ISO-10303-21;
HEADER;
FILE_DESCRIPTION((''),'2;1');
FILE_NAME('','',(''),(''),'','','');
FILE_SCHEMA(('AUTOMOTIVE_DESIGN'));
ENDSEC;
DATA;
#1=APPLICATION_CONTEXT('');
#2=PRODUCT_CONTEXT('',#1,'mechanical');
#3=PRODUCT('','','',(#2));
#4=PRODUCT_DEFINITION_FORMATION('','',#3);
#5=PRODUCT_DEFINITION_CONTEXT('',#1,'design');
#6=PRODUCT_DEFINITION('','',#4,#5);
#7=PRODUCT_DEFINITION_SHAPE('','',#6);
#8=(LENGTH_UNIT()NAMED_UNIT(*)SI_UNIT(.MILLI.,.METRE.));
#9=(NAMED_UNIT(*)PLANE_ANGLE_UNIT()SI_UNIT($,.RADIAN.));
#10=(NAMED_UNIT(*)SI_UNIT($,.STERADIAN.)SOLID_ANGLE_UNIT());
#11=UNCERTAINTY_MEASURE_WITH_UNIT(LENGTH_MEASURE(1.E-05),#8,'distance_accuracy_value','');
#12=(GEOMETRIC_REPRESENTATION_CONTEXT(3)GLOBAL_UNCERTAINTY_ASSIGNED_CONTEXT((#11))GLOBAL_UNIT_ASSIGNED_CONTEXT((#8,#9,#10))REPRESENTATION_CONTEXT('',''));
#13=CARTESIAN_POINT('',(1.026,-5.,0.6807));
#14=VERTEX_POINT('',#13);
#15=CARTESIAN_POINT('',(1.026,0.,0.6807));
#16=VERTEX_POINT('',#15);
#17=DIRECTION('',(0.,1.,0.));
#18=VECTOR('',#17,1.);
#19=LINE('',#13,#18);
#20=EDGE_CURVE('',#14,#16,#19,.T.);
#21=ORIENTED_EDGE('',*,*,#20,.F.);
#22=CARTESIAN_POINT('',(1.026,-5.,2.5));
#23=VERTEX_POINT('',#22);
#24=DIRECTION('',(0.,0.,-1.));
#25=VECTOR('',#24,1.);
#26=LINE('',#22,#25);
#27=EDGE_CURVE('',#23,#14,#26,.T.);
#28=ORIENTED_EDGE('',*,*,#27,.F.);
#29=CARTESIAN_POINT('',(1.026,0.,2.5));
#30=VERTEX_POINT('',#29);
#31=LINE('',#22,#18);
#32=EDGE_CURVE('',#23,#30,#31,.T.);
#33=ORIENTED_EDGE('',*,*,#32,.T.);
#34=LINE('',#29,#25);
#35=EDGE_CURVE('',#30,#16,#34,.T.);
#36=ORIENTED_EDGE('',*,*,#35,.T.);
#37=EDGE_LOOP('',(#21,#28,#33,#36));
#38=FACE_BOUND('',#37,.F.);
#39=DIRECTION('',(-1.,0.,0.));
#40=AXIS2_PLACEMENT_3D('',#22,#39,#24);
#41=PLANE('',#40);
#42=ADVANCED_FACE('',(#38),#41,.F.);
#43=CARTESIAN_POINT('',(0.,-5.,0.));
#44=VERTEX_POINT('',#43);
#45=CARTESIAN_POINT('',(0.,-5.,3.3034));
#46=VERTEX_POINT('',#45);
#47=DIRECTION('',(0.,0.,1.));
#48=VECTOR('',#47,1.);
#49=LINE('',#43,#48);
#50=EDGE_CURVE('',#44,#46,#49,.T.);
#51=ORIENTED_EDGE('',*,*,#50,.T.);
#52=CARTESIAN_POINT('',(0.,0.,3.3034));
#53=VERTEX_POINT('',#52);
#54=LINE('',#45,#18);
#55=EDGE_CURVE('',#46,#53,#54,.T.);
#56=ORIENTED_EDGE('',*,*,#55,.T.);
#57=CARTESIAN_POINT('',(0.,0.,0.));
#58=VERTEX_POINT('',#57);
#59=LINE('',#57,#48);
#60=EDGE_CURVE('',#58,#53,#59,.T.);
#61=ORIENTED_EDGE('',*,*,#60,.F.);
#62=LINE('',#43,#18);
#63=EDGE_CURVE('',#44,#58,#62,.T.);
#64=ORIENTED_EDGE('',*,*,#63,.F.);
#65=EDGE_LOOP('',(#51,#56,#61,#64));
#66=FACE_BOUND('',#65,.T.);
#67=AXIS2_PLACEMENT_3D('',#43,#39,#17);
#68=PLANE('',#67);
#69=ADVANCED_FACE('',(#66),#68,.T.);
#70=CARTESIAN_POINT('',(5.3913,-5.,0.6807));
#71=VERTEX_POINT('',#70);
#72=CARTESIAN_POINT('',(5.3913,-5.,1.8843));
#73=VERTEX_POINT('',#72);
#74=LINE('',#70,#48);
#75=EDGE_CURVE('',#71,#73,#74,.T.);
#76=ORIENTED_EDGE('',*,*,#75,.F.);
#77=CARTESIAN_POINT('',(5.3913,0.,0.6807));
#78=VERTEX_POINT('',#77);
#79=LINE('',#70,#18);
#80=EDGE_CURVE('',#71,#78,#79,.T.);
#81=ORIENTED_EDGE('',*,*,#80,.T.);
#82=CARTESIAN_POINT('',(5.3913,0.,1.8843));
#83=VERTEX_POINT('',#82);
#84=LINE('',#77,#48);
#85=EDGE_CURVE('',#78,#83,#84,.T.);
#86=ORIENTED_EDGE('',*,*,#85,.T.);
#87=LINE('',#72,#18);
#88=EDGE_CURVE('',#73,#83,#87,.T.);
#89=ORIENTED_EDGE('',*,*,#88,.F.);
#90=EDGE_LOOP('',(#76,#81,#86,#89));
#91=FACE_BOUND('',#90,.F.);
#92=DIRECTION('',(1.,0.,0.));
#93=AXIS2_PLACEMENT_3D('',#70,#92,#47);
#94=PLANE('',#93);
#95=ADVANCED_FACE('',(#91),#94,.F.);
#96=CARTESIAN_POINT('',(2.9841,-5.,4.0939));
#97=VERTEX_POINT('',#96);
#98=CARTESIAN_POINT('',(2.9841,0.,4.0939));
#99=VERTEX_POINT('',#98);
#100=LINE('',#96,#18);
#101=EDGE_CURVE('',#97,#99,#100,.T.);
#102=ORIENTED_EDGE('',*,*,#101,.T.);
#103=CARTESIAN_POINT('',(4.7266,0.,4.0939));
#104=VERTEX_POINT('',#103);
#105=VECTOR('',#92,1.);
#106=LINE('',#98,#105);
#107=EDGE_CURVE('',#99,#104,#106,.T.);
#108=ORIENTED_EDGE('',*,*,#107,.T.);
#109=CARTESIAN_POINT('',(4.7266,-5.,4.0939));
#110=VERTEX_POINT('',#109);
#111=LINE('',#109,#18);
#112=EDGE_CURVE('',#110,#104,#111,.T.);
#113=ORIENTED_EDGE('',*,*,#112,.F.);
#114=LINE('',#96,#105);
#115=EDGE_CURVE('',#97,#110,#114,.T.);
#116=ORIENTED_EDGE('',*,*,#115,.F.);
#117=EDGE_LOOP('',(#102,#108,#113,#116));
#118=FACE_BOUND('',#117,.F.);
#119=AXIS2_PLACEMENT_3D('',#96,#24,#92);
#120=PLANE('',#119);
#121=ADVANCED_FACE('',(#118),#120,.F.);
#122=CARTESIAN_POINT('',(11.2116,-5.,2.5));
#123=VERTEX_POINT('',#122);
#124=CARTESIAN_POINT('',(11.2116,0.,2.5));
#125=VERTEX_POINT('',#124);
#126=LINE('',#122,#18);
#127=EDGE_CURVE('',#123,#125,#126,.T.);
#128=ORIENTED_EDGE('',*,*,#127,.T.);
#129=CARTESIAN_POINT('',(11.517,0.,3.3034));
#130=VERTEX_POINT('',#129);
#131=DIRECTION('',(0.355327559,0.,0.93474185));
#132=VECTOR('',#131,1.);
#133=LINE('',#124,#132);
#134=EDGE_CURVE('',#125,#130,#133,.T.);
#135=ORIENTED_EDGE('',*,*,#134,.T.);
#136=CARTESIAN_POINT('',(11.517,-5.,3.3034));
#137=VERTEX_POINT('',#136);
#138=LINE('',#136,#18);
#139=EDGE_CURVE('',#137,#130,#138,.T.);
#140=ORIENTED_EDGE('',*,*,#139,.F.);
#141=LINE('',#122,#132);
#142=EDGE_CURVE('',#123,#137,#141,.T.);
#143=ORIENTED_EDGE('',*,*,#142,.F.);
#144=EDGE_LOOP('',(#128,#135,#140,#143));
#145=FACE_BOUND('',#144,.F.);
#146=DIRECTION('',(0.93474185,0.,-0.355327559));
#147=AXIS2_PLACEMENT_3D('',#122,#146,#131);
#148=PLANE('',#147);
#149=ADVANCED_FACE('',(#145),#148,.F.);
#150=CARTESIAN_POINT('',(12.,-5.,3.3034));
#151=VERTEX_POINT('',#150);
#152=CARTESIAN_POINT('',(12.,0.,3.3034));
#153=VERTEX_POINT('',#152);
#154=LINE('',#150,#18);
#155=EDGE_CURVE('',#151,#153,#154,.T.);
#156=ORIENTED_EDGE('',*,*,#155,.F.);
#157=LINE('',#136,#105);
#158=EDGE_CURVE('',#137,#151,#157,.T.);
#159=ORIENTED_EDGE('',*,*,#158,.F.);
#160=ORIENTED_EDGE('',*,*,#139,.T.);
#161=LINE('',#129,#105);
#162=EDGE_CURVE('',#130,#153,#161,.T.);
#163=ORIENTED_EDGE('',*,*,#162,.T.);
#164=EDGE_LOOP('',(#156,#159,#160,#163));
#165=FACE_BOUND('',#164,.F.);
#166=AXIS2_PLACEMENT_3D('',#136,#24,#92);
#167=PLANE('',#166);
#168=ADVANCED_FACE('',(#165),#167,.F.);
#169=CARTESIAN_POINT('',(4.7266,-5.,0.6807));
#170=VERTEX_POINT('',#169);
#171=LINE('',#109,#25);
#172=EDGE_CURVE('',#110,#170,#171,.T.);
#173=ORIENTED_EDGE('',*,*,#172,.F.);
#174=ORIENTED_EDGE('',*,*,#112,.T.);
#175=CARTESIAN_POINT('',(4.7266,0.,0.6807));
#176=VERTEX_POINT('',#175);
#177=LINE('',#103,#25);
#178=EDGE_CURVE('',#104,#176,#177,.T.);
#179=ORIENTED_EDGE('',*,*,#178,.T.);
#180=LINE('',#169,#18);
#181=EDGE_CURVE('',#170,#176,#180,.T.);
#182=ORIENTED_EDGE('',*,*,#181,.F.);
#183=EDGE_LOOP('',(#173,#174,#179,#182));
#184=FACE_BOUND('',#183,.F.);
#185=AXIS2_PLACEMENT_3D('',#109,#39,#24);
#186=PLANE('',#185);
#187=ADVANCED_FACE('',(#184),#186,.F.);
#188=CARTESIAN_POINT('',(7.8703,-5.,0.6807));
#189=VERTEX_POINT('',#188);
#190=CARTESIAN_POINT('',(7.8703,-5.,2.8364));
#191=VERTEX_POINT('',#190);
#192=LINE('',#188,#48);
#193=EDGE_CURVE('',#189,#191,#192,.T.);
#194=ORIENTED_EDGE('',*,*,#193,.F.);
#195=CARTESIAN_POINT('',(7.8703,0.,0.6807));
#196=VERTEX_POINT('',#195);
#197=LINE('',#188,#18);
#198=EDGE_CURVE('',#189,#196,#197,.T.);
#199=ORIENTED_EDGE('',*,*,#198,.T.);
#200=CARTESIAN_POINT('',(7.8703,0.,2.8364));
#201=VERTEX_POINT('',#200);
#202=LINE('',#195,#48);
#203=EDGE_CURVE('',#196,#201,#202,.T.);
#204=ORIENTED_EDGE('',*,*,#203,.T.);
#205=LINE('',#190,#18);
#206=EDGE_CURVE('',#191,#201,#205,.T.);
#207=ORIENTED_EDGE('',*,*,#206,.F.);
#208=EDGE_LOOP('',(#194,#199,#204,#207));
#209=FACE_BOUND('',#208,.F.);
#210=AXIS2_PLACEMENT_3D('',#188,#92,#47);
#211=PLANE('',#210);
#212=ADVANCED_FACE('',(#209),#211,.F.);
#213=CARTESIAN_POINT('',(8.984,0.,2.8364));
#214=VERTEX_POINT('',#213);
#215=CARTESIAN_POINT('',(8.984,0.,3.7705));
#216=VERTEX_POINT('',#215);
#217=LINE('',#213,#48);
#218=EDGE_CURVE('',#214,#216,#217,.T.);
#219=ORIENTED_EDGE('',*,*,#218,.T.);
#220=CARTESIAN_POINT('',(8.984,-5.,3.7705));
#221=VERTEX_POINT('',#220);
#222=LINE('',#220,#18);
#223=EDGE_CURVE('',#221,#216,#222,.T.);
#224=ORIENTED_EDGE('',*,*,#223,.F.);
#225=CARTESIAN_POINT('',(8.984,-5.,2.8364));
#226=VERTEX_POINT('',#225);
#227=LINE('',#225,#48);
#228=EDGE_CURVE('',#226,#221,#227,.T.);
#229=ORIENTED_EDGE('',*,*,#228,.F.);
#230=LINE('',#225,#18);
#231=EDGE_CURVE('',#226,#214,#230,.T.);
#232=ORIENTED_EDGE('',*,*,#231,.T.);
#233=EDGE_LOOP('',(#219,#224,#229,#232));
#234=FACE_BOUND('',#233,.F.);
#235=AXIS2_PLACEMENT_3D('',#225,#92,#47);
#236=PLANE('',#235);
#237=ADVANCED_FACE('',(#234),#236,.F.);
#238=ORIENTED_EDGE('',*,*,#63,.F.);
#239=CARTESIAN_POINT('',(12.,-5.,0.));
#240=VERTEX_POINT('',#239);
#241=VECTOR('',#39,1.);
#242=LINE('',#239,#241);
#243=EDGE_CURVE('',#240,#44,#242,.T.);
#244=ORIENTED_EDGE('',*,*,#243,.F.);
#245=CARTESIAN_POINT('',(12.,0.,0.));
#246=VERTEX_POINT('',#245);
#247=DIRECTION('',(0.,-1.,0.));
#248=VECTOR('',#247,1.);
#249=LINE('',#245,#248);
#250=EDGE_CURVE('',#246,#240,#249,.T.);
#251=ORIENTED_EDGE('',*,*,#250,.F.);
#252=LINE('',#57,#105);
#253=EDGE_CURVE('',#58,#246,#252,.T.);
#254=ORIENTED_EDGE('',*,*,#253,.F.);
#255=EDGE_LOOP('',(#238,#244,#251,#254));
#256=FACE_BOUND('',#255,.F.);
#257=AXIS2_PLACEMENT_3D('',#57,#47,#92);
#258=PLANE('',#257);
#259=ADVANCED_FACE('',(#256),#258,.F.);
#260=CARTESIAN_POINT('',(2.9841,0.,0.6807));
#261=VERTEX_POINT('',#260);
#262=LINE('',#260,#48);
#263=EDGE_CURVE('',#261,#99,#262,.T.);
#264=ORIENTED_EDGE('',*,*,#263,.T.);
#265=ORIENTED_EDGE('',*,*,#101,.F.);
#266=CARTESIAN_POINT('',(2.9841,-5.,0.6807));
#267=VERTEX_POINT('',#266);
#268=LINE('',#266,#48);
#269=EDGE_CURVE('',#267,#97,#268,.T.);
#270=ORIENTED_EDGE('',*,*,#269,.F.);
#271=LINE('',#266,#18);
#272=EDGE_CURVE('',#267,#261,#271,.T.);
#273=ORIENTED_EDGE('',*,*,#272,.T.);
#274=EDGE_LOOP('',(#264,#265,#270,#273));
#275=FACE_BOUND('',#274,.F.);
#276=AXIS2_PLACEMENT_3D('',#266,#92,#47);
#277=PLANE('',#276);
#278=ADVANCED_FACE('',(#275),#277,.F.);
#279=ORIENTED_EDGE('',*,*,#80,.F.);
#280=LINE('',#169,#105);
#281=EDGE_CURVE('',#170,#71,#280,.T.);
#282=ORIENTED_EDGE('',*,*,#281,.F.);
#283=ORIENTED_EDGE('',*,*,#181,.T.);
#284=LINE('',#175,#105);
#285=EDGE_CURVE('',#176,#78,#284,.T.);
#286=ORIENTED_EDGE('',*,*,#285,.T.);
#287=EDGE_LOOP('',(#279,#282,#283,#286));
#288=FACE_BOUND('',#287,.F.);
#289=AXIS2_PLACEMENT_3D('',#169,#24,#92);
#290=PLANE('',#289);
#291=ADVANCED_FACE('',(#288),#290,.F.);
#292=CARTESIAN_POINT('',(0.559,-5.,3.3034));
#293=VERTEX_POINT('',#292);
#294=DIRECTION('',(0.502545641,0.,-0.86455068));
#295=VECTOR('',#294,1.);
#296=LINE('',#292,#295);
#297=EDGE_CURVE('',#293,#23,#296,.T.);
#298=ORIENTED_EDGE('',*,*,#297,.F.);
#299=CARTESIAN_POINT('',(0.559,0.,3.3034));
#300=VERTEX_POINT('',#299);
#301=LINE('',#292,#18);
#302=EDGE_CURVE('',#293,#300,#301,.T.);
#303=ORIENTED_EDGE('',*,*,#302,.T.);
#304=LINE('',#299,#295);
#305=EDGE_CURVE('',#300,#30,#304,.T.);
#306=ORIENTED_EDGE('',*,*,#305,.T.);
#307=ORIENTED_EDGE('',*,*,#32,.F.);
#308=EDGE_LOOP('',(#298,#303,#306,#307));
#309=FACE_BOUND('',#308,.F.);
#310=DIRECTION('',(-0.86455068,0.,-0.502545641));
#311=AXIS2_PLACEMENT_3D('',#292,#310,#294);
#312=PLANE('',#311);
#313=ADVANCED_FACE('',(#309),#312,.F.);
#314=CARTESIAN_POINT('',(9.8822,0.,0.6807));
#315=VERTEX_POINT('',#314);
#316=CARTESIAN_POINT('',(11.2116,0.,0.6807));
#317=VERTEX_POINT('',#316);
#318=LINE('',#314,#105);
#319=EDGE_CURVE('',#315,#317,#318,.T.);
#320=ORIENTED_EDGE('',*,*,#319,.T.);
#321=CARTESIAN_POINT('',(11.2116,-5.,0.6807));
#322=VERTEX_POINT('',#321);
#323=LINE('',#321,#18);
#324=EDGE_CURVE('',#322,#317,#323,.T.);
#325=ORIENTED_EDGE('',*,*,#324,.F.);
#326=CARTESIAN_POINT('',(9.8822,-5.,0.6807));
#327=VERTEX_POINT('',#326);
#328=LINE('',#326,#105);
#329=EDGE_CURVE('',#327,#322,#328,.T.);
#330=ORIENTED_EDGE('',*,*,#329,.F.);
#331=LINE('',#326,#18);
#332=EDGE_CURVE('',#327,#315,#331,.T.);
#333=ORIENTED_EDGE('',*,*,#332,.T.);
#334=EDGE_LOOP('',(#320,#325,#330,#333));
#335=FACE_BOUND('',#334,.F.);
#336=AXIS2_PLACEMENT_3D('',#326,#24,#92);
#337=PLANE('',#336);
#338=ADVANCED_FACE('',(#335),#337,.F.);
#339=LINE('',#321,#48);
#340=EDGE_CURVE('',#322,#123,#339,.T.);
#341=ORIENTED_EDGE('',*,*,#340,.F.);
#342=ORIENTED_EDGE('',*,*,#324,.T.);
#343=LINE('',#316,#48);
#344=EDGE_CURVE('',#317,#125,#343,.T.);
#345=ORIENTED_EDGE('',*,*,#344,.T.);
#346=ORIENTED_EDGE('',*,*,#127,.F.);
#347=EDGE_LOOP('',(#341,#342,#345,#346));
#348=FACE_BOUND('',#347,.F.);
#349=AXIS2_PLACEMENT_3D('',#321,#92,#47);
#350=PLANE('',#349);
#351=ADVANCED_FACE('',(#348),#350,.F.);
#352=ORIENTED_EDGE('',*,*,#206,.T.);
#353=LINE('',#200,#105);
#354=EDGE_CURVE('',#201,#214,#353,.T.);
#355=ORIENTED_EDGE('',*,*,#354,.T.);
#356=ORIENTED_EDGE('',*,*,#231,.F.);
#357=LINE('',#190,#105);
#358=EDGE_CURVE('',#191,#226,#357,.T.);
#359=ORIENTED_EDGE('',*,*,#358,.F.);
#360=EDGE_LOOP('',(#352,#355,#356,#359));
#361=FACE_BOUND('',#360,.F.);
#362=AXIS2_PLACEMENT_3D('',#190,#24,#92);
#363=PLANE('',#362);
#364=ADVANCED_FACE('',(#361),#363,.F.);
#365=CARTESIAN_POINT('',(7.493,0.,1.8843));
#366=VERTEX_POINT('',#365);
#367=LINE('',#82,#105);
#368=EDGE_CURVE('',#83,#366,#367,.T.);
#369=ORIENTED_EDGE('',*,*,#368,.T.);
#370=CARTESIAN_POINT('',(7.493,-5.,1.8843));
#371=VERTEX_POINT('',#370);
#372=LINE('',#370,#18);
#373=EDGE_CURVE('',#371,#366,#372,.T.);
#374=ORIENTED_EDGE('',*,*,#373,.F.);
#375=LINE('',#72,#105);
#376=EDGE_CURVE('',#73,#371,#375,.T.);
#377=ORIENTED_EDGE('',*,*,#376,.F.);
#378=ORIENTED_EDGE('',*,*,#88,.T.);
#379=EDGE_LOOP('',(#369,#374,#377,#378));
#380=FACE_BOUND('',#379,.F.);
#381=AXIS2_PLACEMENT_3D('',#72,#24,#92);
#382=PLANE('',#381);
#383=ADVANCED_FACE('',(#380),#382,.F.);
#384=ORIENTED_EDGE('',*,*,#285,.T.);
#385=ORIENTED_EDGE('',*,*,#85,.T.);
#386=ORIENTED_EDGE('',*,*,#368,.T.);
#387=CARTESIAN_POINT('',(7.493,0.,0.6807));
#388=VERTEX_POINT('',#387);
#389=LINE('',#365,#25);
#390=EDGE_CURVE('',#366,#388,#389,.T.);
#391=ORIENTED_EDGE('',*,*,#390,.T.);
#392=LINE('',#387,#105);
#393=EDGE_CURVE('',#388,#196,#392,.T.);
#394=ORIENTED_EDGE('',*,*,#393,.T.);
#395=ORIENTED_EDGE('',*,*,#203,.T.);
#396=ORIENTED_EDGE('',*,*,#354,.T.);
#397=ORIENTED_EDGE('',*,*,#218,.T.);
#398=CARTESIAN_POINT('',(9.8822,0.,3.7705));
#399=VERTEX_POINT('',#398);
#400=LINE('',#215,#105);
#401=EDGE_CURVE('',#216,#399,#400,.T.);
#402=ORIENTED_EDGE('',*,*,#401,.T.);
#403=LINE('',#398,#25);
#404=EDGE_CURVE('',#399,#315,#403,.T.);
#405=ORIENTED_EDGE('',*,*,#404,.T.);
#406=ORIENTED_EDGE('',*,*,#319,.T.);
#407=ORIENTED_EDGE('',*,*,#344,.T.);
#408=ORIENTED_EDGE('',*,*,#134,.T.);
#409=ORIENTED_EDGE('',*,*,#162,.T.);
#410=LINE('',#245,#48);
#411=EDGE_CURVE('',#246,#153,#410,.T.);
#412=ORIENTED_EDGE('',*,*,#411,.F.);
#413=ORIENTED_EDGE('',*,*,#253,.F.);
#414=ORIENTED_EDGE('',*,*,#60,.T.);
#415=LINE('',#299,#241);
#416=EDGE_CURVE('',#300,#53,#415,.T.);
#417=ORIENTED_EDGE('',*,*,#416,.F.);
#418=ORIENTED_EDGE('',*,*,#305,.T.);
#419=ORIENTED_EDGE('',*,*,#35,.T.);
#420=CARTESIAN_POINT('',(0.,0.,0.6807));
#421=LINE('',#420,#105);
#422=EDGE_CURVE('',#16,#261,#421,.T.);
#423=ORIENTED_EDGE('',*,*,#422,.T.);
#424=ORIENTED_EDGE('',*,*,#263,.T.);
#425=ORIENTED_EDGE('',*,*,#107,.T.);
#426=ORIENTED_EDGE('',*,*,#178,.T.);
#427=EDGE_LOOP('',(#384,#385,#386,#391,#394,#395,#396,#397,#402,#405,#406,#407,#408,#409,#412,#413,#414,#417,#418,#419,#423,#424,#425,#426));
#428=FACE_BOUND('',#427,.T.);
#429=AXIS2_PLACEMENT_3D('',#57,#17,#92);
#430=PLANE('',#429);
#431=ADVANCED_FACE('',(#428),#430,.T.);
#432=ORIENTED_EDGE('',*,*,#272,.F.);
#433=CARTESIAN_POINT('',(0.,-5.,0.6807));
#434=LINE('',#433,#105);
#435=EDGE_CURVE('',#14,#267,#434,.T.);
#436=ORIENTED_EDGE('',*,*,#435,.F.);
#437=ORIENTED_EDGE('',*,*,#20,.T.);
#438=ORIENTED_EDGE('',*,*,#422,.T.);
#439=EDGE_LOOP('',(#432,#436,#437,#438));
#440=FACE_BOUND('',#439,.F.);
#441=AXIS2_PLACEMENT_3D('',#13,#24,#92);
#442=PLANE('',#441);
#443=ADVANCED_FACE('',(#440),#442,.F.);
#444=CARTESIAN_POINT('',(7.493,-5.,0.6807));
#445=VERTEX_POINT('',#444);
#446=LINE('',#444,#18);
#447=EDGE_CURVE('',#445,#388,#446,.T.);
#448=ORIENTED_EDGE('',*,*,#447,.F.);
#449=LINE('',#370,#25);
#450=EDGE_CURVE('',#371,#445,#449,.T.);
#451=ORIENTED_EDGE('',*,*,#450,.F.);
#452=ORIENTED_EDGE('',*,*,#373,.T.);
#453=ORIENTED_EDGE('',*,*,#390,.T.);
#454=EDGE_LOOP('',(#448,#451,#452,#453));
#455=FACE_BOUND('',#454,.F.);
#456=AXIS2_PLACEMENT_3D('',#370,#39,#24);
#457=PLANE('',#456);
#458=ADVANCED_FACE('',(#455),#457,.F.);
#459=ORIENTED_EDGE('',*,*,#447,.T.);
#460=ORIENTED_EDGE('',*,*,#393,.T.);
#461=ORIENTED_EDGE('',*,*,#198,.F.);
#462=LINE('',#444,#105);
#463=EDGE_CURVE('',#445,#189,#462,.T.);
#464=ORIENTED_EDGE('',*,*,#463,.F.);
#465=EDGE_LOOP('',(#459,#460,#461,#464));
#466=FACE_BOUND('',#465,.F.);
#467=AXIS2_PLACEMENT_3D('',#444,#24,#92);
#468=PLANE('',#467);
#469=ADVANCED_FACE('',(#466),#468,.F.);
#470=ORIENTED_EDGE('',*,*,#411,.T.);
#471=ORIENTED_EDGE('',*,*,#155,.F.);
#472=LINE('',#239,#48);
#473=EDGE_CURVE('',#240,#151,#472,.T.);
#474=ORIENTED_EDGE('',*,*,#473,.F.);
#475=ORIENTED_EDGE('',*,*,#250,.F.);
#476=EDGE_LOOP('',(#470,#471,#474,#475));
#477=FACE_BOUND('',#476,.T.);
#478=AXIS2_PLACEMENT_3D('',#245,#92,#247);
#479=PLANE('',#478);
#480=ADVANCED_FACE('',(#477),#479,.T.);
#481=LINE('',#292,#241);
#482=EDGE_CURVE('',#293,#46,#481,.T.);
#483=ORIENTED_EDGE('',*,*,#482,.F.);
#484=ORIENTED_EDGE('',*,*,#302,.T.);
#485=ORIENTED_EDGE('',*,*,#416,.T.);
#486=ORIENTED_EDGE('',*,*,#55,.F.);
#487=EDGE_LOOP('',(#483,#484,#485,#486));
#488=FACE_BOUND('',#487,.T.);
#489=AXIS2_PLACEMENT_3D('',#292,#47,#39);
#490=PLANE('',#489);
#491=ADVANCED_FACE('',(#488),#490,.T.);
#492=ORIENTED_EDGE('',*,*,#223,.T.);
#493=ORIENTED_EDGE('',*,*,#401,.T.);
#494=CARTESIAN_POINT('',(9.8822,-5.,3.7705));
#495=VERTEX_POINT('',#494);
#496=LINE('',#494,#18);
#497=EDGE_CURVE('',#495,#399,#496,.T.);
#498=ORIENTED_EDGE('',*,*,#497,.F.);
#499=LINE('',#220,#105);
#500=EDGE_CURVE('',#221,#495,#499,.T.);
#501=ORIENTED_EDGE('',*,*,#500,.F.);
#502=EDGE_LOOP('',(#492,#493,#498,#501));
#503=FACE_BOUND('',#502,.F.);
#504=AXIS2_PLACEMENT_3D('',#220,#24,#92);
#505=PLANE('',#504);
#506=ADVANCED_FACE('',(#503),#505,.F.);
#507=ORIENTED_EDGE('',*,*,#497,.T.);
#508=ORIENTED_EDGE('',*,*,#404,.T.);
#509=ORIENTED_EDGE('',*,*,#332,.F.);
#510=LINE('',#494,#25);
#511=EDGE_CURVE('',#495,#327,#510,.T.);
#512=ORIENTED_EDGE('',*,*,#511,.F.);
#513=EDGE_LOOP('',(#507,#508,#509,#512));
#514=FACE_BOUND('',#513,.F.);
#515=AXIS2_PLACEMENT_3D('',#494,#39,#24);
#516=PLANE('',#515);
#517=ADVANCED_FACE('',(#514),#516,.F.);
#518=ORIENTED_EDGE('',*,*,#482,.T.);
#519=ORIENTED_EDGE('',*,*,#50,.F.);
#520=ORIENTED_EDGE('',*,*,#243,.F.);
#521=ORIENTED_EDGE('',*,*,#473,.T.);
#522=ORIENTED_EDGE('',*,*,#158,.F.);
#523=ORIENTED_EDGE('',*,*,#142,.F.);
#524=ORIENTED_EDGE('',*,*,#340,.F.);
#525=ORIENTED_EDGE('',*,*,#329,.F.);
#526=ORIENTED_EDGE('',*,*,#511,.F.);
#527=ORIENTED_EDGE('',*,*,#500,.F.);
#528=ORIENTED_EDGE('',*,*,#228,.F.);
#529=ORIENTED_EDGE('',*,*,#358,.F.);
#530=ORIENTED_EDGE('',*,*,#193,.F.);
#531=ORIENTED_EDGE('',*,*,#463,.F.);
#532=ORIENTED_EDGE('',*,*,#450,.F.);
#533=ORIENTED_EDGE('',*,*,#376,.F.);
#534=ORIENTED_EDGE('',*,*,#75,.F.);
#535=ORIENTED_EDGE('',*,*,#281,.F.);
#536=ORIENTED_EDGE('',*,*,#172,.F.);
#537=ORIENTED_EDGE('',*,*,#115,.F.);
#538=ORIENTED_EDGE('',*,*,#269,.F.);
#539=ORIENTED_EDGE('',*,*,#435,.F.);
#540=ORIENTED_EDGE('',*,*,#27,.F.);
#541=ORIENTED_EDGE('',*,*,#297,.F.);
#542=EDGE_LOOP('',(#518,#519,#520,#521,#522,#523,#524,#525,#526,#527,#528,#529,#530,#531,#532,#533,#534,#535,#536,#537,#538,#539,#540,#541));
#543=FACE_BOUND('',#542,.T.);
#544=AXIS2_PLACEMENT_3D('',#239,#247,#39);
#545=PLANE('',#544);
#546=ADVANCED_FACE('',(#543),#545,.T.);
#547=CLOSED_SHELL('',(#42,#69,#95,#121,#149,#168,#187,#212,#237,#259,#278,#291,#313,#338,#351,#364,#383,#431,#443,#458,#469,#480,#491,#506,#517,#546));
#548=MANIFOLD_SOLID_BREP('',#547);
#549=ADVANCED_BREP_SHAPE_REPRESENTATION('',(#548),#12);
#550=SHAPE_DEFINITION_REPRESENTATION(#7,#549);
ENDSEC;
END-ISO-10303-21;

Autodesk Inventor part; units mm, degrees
ref_plane "YZ Plane" through (0, 0, 0) normal (1, 0, 0) x (0, 1, 0)
ref_plane "XZ Plane" through (0, 0, 0) normal (0, 1, 0) x (-1, 0, 0)
ref_plane "XY Plane" through (0, 0, 0) normal (0, 0, 1) x (1, 0, 0)
sketch "Эскиз1" plane through (0, 0, 0) normal (0, 0, 1) x (1, 0, 0)
  line L0 (0, 0) -> (12, 0)
  line L1 (12, 0) -> (12, -5)
  line L2 (12, -5) -> (0, -5)
  line L3 (0, -5) -> (0, 0)
  dimension "d0" = 12
  dimension "d1" = 5
extrude "Выдавливание1" add sketch "Эскиз1" along normal blind 5
sketch "Эскиз2" plane through (0, -5, 0) normal (0, -1, 0) x (1, 0, 0)
  line L0 (0, 0) -> (0, 5) projected
  line L1 (0, 0.6807) -> (2.9841, 0.6807)
  line L2 (2.9841, 0.6807) -> (2.9841, 4.0939)
  line L3 (2.9841, 4.0939) -> (4.7266, 4.0939)
  line L4 (4.7266, 4.0939) -> (4.7266, 0.6807)
  line L5 (4.7266, 0.6807) -> (5.3913, 0.6807)
  line L6 (5.3913, 0.6807) -> (5.3913, 1.8843)
  line L7 (5.3913, 1.8843) -> (7.493, 1.8843)
  line L8 (7.493, 1.8843) -> (7.493, 0.6807)
  line L9 (7.493, 0.6807) -> (7.8703, 0.6807)
  line L10 (7.8703, 0.6807) -> (7.8703, 2.8364)
  line L11 (7.8703, 2.8364) -> (8.984, 2.8364)
  line L12 (8.984, 2.8364) -> (8.984, 3.7705)
  line L13 (8.984, 3.7705) -> (9.8822, 3.7705)
  line L14 (9.8822, 3.7705) -> (9.8822, 0.6807)
  line L15 (9.8822, 0.6807) -> (11.2116, 0.6807)
  line L16 (11.2116, 0.6807) -> (11.2116, 2.5)
  line L17 (11.2116, 2.5) -> (11.517, 3.3034)
  line L18 (11.517, 3.3034) -> (12, 3.3034)
  line L19 (12, 0) -> (12, 5) projected
  line L20 (0, 0) -> (12, 0) projected
  line L21 (12, 3.3034) -> (12, 0)
  line L22 (12, 0) -> (0, 0)
  line L23 (0, 0.6807) -> (0, 3.3034)
  line L24 (0.559, 3.3034) -> (1.026, 2.5)
  line L25 (1.026, 2.5) -> (1.026, 0.6807)
  line L26 (0.559, 3.3034) -> (0, 3.3034)
extrude "Выдавливание2" cut sketch "Эскиз2" against normal blind 5 keep common part
properties part number "Преобразователь напряжения"
